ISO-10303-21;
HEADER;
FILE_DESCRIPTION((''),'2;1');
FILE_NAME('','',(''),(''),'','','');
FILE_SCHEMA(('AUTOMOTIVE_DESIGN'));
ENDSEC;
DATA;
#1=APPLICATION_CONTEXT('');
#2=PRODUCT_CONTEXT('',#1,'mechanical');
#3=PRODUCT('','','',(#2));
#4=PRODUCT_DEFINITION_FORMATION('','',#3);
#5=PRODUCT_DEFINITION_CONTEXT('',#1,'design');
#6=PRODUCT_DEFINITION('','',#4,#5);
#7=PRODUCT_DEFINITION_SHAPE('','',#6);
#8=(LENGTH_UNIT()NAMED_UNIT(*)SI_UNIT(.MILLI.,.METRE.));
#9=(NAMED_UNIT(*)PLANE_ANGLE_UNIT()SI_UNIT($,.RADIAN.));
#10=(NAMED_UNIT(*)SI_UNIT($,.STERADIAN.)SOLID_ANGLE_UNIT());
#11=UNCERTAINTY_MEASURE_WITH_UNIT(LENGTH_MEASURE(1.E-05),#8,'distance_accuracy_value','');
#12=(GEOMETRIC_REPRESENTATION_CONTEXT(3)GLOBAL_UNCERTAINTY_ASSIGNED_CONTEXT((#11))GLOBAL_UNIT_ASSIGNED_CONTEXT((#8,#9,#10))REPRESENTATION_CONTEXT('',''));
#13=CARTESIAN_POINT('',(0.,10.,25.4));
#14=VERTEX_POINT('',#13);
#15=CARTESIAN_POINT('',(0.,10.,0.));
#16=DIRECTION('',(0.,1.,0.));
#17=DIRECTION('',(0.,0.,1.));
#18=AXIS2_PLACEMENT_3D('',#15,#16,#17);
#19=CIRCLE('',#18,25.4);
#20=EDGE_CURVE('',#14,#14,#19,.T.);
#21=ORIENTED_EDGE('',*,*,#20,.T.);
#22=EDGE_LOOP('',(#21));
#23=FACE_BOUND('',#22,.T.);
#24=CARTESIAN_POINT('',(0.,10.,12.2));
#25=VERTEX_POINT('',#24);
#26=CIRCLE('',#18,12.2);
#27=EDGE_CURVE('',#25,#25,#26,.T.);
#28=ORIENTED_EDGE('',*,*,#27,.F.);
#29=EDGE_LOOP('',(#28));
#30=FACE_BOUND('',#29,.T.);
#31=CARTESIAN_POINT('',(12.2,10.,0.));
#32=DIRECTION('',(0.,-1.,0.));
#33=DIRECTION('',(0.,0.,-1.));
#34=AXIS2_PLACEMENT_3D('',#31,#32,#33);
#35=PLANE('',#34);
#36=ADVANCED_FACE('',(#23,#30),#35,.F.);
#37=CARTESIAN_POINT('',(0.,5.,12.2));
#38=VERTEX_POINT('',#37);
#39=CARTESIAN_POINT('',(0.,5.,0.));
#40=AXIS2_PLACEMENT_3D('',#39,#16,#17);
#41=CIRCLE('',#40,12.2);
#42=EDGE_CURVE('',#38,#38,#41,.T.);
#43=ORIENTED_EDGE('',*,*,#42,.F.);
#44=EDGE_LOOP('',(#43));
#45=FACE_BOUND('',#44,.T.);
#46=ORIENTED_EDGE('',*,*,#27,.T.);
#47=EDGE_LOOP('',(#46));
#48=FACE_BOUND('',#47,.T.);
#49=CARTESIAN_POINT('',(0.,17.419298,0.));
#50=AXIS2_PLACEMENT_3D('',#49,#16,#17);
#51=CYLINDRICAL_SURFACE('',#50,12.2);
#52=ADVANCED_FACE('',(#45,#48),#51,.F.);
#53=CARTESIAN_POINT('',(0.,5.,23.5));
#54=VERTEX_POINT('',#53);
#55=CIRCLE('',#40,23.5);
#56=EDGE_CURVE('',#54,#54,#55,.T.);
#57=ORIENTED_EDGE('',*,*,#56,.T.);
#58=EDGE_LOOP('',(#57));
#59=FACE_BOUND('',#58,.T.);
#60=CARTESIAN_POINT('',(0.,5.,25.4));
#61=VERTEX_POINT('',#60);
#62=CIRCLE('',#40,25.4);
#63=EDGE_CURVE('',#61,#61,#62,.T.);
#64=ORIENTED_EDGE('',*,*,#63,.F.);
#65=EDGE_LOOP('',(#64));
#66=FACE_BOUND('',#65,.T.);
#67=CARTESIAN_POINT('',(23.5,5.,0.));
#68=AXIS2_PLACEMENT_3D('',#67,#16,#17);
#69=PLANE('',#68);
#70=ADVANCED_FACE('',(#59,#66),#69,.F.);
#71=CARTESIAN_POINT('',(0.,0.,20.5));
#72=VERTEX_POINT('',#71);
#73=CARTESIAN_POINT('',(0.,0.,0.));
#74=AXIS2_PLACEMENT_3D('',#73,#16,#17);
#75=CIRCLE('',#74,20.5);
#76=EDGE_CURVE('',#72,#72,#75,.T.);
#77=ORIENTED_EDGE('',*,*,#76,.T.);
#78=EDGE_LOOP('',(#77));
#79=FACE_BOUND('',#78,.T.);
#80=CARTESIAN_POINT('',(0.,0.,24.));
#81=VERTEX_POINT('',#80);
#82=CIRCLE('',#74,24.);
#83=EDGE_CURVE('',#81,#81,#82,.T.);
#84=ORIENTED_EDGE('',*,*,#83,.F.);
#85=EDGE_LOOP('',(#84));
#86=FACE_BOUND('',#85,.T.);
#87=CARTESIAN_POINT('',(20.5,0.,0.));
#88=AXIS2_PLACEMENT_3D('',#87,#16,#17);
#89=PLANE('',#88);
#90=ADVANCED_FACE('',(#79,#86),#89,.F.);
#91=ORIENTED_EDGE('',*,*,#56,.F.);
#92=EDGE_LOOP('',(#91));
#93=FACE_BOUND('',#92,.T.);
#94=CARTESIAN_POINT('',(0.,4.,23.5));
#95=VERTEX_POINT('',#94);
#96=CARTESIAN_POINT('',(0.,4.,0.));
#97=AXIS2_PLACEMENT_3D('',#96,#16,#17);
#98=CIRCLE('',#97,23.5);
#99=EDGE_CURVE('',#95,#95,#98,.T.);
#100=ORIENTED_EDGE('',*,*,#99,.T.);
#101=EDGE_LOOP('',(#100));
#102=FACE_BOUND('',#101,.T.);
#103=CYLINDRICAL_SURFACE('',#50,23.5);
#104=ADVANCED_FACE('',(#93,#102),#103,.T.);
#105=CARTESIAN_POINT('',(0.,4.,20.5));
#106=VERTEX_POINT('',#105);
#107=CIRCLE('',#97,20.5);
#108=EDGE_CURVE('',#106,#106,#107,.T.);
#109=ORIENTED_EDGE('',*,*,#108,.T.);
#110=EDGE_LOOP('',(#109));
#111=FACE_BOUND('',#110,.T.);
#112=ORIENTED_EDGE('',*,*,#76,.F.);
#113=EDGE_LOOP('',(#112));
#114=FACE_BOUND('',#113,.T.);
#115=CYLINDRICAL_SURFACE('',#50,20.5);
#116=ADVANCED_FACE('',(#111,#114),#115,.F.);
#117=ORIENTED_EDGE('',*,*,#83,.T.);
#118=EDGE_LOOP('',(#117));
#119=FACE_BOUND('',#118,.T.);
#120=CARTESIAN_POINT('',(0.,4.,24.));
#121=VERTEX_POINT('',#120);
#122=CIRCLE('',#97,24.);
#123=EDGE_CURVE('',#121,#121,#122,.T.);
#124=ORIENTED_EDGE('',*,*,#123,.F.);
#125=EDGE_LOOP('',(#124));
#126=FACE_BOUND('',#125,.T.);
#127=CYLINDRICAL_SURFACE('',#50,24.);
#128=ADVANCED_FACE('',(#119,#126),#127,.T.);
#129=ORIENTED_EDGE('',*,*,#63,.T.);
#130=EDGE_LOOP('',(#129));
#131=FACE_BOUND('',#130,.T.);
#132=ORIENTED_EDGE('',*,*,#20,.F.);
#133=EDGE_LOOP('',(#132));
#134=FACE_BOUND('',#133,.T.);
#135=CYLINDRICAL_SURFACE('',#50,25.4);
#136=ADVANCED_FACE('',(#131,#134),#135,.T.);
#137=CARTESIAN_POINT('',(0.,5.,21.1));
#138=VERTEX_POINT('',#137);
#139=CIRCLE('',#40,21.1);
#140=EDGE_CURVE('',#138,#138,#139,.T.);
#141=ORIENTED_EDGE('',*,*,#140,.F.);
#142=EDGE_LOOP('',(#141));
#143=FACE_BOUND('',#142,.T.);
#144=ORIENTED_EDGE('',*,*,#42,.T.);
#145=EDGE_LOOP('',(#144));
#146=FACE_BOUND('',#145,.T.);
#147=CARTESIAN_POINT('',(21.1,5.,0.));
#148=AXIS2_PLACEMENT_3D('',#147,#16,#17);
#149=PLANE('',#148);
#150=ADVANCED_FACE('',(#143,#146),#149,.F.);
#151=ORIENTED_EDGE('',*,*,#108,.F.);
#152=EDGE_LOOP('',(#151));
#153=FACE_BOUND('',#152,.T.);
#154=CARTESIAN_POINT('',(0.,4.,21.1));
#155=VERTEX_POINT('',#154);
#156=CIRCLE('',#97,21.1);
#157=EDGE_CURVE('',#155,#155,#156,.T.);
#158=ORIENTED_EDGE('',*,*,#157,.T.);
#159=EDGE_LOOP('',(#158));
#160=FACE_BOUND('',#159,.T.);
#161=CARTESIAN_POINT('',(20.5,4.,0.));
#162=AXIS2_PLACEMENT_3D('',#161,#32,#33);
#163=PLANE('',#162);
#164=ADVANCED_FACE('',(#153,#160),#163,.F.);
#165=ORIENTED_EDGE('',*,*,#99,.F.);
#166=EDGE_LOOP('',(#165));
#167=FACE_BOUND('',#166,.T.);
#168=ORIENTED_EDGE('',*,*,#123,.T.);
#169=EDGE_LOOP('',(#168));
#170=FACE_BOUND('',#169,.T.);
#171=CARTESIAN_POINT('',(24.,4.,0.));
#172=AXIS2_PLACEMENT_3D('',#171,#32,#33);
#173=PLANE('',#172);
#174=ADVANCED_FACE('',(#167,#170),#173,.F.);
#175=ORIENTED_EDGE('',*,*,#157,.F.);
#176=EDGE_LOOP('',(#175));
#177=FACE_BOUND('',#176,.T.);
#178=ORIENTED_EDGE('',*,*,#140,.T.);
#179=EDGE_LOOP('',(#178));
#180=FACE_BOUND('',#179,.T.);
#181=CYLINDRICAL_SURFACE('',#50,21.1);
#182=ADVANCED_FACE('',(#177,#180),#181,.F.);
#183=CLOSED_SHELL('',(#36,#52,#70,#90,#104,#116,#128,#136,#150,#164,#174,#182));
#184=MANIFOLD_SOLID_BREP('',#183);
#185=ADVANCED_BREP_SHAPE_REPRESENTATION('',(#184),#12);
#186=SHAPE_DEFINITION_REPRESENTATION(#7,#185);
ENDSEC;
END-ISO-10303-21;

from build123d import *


with BuildPart() as part:
    # 草图1 → 旋转1 (revolve)
    with BuildSketch(Plane.XY, mode=Mode.PRIVATE) as revolve_1_sk:
        Polygon((20.5, 0), (20.5, 4), (21.1, 4), (21.1, 5), (12.2, 5), (12.2, 10), (25.4, 10), (25.4, 5), (23.5, 5), (23.5, 4), (24, 4), (24, 0), align=None)
    revolve(revolve_1_sk.sketch.rotate(Axis((0, 17.419298318, 0), (0, -1, 0)), 90), axis=Axis((0, 17.419298318, 0), (0, -1, 0)))  # turned: the seam where the file's is


solid = part.part
